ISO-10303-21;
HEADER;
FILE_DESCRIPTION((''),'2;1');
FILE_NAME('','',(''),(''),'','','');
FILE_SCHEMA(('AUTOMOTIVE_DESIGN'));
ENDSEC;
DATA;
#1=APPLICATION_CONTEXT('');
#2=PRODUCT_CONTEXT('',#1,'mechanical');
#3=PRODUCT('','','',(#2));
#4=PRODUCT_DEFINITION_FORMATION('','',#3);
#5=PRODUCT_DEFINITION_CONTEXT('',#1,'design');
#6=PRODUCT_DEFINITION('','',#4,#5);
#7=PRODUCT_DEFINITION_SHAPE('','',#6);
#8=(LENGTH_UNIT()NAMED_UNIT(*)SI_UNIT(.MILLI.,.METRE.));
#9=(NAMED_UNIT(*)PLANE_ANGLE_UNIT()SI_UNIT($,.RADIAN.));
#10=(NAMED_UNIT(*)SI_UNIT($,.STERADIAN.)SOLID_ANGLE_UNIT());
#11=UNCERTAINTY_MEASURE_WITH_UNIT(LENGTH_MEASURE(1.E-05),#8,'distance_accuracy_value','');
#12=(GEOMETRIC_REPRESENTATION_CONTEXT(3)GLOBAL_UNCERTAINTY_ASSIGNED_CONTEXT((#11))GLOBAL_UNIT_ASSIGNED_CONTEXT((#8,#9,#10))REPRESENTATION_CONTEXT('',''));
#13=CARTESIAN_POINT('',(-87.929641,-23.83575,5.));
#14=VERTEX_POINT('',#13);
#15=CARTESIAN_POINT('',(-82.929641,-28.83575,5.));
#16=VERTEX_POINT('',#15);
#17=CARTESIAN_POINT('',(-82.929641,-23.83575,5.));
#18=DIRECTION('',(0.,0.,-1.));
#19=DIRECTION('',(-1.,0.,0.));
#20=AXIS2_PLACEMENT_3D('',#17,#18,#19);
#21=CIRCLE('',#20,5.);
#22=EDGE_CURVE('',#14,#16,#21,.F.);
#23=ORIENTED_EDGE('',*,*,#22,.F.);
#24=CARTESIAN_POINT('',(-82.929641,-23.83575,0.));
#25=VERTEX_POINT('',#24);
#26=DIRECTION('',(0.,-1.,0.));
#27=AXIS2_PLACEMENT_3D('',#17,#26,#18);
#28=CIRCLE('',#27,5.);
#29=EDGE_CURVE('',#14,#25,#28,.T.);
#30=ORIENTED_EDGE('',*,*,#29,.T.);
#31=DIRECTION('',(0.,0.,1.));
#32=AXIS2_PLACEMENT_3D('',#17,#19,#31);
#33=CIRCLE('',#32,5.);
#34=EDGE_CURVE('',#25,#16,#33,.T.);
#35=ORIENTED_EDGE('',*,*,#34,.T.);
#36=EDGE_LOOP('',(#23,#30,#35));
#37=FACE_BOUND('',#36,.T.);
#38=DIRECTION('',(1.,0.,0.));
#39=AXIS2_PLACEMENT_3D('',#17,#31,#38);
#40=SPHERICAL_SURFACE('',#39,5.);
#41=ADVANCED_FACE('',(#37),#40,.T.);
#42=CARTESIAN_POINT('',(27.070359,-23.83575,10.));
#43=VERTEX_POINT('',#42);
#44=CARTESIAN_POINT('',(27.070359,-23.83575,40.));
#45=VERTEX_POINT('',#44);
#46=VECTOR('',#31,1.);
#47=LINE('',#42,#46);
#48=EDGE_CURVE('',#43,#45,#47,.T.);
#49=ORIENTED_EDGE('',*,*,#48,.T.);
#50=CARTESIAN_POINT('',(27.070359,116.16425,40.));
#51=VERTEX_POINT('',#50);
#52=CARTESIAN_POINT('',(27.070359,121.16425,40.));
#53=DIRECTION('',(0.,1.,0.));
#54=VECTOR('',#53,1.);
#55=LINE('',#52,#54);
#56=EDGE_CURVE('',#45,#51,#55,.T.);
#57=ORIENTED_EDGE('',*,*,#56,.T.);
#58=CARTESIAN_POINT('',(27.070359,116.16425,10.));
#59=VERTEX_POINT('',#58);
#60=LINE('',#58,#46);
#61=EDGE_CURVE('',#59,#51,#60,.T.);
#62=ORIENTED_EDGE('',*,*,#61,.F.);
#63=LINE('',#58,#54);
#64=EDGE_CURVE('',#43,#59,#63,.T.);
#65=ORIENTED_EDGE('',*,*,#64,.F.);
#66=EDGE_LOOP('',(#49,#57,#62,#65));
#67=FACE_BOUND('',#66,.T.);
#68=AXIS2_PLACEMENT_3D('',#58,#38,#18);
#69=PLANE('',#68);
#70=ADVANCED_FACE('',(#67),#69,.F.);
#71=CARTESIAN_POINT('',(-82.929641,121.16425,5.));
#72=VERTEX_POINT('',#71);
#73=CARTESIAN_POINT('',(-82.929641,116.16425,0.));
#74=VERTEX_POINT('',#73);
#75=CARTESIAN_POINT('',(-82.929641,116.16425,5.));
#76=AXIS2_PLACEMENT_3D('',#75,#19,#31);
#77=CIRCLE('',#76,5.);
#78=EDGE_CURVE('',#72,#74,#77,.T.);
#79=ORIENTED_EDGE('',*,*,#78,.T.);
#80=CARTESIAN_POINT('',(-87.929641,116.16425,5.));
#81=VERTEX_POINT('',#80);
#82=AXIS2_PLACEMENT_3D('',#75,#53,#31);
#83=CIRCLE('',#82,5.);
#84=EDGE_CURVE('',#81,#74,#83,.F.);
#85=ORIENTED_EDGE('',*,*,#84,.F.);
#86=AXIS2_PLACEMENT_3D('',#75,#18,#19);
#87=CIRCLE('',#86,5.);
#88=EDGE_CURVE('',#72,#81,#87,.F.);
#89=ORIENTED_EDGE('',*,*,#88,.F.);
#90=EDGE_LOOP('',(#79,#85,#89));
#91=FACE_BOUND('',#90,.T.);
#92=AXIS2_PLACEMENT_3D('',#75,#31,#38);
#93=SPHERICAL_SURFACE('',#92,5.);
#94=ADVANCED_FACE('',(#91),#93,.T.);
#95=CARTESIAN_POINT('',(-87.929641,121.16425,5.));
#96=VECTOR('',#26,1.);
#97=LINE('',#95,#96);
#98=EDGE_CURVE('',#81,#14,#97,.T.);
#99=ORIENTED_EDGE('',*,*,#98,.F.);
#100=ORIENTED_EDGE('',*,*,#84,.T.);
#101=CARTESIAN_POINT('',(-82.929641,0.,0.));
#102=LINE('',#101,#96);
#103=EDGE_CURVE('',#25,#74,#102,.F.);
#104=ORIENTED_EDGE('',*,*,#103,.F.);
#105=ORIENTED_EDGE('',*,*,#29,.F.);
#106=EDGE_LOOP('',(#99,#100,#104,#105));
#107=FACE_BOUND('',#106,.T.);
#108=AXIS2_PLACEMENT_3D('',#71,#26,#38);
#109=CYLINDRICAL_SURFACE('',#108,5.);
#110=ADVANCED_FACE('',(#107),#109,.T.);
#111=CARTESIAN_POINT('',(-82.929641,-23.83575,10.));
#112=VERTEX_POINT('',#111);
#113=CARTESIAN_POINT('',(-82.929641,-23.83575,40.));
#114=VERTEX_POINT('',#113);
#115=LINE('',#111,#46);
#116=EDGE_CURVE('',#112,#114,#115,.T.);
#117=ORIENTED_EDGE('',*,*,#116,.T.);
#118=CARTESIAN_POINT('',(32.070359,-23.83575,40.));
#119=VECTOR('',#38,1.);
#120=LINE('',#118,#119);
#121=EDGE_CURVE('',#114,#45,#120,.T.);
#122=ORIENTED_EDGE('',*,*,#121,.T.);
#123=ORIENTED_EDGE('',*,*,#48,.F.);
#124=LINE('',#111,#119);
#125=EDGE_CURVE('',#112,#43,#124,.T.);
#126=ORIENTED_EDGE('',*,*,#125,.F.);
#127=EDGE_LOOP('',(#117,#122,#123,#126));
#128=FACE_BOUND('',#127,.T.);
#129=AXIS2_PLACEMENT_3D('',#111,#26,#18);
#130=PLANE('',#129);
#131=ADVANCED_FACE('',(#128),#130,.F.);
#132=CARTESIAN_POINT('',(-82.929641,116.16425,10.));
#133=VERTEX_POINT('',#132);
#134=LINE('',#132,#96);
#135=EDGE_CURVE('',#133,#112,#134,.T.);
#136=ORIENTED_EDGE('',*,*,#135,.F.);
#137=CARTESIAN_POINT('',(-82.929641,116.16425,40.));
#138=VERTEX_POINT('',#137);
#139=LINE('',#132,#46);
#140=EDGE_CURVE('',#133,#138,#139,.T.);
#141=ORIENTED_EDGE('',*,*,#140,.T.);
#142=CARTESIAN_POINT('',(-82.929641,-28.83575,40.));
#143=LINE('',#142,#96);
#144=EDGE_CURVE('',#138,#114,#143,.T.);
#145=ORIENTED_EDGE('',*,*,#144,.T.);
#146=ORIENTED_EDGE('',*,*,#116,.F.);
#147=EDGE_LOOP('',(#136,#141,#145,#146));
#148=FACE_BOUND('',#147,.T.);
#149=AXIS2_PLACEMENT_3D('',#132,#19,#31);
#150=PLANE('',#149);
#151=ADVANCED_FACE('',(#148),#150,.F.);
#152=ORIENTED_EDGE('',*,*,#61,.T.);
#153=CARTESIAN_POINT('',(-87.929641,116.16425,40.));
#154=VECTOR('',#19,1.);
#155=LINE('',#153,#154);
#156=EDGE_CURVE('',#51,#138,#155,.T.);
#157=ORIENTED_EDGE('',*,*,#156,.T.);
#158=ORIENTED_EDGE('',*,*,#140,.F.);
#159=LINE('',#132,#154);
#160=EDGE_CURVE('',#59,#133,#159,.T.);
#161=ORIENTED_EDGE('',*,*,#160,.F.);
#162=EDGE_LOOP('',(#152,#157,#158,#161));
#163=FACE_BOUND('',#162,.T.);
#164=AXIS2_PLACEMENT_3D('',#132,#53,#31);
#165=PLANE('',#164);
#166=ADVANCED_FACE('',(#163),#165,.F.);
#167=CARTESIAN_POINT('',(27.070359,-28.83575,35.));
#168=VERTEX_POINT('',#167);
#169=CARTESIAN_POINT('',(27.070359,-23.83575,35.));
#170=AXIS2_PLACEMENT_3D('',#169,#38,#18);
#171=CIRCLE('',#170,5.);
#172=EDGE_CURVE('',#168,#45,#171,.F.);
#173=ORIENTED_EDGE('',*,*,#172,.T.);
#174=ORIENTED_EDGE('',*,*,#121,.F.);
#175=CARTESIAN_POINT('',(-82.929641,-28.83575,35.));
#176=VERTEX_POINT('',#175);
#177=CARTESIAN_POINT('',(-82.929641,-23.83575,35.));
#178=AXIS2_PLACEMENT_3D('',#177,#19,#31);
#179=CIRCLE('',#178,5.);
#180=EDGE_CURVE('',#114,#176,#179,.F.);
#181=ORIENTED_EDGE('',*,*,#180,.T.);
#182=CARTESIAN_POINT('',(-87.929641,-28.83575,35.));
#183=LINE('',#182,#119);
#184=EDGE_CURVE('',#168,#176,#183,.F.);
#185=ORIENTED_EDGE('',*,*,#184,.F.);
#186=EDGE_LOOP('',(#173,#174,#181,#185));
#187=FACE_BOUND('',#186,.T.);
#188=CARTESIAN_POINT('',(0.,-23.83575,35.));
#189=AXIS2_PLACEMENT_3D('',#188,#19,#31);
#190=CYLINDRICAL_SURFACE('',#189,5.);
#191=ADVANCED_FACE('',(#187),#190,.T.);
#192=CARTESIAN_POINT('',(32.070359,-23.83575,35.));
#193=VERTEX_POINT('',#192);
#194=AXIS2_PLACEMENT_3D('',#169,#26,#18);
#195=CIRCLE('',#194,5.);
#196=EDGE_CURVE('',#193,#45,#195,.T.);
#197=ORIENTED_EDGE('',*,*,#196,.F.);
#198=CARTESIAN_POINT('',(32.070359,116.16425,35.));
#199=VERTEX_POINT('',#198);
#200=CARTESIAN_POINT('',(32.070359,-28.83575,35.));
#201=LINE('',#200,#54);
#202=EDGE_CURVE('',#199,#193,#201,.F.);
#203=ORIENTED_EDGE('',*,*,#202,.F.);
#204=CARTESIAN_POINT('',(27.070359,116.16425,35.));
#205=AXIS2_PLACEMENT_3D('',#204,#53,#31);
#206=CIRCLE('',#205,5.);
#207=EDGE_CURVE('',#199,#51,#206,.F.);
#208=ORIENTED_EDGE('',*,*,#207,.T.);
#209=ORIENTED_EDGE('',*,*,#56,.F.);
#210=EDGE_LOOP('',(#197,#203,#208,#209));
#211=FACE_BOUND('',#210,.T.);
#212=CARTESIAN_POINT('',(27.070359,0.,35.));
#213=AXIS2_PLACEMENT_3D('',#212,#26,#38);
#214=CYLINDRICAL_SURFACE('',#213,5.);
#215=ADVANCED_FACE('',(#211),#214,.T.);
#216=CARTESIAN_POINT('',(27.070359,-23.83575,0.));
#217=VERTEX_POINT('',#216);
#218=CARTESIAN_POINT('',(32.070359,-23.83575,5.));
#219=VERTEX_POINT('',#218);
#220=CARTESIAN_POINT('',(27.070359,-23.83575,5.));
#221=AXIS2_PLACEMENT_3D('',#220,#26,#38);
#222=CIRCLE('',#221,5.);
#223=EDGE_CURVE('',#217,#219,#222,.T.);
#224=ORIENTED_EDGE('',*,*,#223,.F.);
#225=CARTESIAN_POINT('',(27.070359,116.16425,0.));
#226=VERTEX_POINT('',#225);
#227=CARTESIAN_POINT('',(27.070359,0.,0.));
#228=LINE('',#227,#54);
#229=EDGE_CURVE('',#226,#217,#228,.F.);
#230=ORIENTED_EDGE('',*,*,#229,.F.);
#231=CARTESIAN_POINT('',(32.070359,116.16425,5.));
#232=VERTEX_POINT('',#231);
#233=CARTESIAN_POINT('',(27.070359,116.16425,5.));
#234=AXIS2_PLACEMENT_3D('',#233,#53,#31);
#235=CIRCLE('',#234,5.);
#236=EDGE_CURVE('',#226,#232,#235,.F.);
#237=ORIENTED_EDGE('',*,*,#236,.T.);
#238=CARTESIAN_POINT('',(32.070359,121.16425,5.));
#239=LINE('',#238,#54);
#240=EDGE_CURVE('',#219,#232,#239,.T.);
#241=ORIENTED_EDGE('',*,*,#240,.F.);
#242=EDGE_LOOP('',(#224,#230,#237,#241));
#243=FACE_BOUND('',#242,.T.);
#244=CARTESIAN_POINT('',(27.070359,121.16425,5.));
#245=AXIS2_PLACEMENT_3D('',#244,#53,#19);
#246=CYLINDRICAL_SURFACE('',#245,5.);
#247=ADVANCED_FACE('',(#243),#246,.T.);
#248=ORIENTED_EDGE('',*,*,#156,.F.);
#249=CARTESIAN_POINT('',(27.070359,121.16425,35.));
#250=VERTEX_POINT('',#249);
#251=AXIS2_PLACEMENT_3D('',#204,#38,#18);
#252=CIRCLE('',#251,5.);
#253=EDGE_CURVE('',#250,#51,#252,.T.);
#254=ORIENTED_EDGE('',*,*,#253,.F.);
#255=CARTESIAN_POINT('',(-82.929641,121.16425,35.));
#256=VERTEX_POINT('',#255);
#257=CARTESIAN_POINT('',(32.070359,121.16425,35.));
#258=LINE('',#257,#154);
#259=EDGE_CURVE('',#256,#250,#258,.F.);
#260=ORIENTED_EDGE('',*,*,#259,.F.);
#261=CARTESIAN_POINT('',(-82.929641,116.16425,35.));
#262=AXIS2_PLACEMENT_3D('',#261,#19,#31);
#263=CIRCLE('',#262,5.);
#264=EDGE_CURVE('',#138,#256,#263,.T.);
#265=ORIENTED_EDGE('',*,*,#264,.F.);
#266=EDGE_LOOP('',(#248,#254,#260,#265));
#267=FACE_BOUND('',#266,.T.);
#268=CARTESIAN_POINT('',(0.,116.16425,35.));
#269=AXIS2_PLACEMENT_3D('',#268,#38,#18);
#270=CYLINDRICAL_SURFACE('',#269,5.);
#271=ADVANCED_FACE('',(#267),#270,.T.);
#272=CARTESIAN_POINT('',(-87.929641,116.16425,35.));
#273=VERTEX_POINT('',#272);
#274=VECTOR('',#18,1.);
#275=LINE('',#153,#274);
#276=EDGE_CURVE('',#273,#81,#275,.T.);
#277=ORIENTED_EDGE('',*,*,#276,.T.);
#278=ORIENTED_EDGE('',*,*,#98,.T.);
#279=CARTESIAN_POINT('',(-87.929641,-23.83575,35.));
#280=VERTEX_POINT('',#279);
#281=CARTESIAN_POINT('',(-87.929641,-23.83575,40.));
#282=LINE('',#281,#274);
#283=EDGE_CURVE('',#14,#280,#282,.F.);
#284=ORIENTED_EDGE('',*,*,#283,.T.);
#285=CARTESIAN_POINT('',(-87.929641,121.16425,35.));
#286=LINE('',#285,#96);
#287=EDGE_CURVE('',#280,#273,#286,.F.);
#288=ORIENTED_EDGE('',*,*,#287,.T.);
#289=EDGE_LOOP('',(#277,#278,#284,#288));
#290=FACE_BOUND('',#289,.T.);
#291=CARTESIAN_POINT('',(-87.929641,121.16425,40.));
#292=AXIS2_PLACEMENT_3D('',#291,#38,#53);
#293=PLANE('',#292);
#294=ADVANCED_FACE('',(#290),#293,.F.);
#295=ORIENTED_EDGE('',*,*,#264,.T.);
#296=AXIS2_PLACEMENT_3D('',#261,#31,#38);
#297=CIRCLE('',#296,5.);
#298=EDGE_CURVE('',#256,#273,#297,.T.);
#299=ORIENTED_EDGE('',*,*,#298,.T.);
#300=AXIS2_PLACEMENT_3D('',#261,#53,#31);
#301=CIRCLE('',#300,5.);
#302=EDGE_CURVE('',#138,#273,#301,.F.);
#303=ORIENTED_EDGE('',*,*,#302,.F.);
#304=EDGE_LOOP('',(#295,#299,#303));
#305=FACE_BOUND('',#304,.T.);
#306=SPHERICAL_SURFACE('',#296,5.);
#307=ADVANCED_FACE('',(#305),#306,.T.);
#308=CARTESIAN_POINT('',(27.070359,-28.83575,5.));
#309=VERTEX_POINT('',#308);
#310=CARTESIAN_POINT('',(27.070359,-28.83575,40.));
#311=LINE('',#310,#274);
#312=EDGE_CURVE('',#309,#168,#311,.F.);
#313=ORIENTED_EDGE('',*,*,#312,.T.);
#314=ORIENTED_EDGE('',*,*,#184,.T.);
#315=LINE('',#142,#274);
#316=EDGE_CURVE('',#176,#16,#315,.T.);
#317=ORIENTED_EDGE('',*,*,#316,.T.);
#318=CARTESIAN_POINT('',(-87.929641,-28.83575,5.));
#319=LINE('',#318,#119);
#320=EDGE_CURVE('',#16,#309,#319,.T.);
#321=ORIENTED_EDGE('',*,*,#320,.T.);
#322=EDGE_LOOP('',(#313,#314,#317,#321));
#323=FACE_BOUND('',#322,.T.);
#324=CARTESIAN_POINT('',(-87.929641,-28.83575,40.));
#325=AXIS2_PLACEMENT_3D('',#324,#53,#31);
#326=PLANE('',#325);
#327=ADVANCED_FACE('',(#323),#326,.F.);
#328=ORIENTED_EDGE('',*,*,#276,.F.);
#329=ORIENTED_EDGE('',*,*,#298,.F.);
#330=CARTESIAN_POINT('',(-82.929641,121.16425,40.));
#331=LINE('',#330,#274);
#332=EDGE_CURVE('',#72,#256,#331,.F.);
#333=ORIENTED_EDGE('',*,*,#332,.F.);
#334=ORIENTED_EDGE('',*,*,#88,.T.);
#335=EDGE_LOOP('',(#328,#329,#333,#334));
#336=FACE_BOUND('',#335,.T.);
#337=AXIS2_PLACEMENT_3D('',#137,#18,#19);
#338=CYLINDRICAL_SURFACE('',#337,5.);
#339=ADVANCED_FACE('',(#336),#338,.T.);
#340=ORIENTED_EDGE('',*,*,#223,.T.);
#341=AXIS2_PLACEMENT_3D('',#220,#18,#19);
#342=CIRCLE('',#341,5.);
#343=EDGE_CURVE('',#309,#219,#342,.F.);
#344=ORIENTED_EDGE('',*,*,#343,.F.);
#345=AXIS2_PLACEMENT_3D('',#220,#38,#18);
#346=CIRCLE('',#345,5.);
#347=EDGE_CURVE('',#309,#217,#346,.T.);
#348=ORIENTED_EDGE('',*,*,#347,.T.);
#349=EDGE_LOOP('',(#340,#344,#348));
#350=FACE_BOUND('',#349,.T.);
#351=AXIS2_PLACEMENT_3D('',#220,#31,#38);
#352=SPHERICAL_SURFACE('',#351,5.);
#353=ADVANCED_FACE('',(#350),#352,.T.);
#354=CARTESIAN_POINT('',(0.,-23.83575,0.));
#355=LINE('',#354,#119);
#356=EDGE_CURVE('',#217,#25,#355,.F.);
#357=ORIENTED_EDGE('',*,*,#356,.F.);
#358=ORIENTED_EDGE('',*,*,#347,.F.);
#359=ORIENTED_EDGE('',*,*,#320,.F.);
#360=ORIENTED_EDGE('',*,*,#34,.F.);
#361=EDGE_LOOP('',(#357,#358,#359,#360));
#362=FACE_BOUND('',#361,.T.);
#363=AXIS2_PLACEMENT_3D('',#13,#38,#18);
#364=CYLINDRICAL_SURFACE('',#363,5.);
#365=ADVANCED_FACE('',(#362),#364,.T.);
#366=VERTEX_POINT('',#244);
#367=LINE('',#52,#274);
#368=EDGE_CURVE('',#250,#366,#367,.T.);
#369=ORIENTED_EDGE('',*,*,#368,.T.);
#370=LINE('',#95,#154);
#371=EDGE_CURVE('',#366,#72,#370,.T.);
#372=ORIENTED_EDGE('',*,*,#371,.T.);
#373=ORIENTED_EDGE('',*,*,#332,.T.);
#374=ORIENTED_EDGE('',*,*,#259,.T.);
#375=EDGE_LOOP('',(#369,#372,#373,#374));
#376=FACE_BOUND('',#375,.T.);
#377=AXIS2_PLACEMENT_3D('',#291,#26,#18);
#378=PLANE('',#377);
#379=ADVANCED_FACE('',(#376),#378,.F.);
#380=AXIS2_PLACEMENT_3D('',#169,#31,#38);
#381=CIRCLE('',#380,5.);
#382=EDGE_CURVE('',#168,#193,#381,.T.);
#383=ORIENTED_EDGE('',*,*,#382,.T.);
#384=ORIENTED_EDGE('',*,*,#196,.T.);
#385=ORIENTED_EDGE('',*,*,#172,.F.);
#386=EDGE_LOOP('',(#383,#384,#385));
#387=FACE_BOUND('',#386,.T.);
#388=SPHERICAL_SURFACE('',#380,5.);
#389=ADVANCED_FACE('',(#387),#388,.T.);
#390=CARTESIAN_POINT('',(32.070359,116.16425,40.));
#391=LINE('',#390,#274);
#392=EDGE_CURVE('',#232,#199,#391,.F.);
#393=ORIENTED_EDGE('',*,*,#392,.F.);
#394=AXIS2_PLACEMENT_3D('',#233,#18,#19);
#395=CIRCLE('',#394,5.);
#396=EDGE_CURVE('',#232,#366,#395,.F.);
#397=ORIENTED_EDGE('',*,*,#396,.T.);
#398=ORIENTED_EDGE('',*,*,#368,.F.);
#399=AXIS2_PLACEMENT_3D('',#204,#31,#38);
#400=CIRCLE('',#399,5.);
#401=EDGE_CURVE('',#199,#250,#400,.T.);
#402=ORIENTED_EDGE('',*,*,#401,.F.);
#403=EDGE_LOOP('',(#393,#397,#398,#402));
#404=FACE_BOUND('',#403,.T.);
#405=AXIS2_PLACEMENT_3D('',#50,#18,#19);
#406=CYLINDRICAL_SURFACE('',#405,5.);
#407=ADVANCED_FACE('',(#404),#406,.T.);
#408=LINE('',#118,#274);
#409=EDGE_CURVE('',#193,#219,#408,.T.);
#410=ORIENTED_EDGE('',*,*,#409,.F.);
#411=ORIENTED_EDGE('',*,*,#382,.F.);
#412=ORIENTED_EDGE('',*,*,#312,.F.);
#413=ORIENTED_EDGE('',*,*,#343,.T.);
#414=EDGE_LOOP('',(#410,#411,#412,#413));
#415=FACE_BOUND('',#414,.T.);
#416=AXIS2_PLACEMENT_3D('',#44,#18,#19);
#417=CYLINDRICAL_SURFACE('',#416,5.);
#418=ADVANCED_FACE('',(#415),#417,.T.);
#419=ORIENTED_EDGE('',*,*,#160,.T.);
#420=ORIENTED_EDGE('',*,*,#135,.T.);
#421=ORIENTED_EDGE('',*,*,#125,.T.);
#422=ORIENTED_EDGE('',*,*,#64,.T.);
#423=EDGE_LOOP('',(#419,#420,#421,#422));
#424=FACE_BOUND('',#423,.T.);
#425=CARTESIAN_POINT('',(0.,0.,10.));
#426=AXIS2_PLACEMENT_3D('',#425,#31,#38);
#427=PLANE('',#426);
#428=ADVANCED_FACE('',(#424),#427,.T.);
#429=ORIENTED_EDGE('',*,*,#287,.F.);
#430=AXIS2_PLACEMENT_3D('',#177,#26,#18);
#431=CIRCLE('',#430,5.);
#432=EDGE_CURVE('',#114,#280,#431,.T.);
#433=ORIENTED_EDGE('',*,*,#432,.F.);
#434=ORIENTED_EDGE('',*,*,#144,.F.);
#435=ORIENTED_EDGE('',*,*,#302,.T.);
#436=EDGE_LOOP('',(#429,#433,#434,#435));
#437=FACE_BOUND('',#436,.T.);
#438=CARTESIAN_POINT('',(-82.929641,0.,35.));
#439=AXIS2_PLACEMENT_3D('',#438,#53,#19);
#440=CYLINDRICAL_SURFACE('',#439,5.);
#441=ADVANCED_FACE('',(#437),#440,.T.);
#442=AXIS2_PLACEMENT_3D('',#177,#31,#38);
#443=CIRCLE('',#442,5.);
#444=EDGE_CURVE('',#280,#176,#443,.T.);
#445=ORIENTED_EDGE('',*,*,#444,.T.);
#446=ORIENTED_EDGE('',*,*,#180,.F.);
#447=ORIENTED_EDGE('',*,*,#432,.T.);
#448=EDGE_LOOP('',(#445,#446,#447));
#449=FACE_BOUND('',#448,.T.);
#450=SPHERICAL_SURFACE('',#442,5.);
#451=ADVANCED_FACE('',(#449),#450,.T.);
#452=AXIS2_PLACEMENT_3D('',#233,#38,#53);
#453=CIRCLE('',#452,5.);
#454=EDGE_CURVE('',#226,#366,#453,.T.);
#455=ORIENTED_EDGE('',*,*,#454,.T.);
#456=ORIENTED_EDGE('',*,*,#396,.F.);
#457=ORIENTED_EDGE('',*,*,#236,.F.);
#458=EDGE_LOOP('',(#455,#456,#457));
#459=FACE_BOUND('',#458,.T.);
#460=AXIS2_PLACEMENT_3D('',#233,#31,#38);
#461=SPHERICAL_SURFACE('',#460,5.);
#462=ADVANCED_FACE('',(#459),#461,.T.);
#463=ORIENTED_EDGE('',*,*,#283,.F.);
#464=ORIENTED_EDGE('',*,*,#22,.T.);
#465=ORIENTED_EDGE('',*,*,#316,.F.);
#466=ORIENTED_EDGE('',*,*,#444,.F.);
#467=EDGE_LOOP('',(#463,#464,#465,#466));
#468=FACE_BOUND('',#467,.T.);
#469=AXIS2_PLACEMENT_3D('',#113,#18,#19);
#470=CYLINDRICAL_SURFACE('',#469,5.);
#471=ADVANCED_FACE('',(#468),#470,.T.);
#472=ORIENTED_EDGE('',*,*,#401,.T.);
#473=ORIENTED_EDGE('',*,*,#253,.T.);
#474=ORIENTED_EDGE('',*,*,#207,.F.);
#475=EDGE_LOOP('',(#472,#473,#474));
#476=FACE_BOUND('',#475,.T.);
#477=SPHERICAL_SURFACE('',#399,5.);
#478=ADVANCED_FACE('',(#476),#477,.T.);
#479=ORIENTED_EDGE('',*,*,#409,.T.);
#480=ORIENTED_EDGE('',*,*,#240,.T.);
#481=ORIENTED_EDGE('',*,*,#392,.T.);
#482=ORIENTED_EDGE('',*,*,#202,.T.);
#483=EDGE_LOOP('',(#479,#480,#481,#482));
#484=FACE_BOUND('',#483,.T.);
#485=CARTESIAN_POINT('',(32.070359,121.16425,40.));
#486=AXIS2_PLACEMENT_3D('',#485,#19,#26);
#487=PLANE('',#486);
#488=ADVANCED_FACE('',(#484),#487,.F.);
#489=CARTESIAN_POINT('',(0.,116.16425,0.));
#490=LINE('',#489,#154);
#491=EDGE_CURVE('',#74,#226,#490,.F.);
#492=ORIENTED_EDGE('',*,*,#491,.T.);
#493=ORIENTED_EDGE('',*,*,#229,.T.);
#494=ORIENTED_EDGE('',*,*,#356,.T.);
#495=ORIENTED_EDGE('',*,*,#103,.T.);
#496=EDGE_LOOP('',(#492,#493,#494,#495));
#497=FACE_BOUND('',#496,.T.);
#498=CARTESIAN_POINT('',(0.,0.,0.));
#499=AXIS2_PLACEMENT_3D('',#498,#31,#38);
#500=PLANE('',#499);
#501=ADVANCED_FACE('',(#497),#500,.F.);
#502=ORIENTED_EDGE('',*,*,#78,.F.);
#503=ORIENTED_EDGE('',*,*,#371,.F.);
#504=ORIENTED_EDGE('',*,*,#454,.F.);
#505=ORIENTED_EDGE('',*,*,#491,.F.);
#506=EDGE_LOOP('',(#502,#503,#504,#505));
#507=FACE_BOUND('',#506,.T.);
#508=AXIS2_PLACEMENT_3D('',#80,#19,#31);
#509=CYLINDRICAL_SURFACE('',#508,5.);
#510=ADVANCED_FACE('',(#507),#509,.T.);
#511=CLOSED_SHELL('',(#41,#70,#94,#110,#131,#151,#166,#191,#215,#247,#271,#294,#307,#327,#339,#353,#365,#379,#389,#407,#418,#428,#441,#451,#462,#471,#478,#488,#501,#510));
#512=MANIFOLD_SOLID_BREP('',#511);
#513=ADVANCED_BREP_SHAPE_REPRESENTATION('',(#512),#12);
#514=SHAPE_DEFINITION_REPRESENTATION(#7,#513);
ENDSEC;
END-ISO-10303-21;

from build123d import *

# Parameters (mm, degrees)
SKETCH1_W           = 120
SKETCH1_H           = 150
BOSS_EXTRUDE1_DEPTH = 40
FILLET2_R           = 5
SKETCH2_W           = 110
SKETCH2_H           = 140
CUT_EXTRUDE1_DEPTH  = 30


with BuildPart() as part:
    # Sketch1 → Boss-Extrude1 (new body)
    with BuildSketch(Plane.XY):
        with Locations((-27.929641074, 46.164250059)):
            Rectangle(SKETCH1_W, SKETCH1_H)
    extrude(amount=BOSS_EXTRUDE1_DEPTH)

    # Fillet2
    fillet2_edges = [part.edges().sort_by_distance(p)[0] for p in [
        (-87.929641074, 46.164250059, 40),
        (-27.929641074, -28.835749941, 40),
        (32.070358926, 46.164250059, 40),
        (-27.929641074, -28.835749941, 0),
        (-87.929641074, 46.164250059, 0),
        (-27.929641074, 121.164250059, 0),
        (32.070358926, 46.164250059, 0),
        (-27.929641074, 121.164250059, 40),
        (32.070358926, -28.835749941, 20),
        (-87.929641074, -28.835749941, 20),
        (-87.929641074, 121.164250059, 20),
        (32.070358926, 121.164250059, 20),
    ]]
    fillet(fillet2_edges, radius=FILLET2_R)

    # Sketch2 → Cut-Extrude1 (cut)
    with BuildSketch(Plane.XY.offset(40)):
        with Locations((-27.929641074, 46.164250059)):
            Rectangle(SKETCH2_W, SKETCH2_H)
    extrude(amount=-CUT_EXTRUDE1_DEPTH, mode=Mode.SUBTRACT)


solid = part.part
